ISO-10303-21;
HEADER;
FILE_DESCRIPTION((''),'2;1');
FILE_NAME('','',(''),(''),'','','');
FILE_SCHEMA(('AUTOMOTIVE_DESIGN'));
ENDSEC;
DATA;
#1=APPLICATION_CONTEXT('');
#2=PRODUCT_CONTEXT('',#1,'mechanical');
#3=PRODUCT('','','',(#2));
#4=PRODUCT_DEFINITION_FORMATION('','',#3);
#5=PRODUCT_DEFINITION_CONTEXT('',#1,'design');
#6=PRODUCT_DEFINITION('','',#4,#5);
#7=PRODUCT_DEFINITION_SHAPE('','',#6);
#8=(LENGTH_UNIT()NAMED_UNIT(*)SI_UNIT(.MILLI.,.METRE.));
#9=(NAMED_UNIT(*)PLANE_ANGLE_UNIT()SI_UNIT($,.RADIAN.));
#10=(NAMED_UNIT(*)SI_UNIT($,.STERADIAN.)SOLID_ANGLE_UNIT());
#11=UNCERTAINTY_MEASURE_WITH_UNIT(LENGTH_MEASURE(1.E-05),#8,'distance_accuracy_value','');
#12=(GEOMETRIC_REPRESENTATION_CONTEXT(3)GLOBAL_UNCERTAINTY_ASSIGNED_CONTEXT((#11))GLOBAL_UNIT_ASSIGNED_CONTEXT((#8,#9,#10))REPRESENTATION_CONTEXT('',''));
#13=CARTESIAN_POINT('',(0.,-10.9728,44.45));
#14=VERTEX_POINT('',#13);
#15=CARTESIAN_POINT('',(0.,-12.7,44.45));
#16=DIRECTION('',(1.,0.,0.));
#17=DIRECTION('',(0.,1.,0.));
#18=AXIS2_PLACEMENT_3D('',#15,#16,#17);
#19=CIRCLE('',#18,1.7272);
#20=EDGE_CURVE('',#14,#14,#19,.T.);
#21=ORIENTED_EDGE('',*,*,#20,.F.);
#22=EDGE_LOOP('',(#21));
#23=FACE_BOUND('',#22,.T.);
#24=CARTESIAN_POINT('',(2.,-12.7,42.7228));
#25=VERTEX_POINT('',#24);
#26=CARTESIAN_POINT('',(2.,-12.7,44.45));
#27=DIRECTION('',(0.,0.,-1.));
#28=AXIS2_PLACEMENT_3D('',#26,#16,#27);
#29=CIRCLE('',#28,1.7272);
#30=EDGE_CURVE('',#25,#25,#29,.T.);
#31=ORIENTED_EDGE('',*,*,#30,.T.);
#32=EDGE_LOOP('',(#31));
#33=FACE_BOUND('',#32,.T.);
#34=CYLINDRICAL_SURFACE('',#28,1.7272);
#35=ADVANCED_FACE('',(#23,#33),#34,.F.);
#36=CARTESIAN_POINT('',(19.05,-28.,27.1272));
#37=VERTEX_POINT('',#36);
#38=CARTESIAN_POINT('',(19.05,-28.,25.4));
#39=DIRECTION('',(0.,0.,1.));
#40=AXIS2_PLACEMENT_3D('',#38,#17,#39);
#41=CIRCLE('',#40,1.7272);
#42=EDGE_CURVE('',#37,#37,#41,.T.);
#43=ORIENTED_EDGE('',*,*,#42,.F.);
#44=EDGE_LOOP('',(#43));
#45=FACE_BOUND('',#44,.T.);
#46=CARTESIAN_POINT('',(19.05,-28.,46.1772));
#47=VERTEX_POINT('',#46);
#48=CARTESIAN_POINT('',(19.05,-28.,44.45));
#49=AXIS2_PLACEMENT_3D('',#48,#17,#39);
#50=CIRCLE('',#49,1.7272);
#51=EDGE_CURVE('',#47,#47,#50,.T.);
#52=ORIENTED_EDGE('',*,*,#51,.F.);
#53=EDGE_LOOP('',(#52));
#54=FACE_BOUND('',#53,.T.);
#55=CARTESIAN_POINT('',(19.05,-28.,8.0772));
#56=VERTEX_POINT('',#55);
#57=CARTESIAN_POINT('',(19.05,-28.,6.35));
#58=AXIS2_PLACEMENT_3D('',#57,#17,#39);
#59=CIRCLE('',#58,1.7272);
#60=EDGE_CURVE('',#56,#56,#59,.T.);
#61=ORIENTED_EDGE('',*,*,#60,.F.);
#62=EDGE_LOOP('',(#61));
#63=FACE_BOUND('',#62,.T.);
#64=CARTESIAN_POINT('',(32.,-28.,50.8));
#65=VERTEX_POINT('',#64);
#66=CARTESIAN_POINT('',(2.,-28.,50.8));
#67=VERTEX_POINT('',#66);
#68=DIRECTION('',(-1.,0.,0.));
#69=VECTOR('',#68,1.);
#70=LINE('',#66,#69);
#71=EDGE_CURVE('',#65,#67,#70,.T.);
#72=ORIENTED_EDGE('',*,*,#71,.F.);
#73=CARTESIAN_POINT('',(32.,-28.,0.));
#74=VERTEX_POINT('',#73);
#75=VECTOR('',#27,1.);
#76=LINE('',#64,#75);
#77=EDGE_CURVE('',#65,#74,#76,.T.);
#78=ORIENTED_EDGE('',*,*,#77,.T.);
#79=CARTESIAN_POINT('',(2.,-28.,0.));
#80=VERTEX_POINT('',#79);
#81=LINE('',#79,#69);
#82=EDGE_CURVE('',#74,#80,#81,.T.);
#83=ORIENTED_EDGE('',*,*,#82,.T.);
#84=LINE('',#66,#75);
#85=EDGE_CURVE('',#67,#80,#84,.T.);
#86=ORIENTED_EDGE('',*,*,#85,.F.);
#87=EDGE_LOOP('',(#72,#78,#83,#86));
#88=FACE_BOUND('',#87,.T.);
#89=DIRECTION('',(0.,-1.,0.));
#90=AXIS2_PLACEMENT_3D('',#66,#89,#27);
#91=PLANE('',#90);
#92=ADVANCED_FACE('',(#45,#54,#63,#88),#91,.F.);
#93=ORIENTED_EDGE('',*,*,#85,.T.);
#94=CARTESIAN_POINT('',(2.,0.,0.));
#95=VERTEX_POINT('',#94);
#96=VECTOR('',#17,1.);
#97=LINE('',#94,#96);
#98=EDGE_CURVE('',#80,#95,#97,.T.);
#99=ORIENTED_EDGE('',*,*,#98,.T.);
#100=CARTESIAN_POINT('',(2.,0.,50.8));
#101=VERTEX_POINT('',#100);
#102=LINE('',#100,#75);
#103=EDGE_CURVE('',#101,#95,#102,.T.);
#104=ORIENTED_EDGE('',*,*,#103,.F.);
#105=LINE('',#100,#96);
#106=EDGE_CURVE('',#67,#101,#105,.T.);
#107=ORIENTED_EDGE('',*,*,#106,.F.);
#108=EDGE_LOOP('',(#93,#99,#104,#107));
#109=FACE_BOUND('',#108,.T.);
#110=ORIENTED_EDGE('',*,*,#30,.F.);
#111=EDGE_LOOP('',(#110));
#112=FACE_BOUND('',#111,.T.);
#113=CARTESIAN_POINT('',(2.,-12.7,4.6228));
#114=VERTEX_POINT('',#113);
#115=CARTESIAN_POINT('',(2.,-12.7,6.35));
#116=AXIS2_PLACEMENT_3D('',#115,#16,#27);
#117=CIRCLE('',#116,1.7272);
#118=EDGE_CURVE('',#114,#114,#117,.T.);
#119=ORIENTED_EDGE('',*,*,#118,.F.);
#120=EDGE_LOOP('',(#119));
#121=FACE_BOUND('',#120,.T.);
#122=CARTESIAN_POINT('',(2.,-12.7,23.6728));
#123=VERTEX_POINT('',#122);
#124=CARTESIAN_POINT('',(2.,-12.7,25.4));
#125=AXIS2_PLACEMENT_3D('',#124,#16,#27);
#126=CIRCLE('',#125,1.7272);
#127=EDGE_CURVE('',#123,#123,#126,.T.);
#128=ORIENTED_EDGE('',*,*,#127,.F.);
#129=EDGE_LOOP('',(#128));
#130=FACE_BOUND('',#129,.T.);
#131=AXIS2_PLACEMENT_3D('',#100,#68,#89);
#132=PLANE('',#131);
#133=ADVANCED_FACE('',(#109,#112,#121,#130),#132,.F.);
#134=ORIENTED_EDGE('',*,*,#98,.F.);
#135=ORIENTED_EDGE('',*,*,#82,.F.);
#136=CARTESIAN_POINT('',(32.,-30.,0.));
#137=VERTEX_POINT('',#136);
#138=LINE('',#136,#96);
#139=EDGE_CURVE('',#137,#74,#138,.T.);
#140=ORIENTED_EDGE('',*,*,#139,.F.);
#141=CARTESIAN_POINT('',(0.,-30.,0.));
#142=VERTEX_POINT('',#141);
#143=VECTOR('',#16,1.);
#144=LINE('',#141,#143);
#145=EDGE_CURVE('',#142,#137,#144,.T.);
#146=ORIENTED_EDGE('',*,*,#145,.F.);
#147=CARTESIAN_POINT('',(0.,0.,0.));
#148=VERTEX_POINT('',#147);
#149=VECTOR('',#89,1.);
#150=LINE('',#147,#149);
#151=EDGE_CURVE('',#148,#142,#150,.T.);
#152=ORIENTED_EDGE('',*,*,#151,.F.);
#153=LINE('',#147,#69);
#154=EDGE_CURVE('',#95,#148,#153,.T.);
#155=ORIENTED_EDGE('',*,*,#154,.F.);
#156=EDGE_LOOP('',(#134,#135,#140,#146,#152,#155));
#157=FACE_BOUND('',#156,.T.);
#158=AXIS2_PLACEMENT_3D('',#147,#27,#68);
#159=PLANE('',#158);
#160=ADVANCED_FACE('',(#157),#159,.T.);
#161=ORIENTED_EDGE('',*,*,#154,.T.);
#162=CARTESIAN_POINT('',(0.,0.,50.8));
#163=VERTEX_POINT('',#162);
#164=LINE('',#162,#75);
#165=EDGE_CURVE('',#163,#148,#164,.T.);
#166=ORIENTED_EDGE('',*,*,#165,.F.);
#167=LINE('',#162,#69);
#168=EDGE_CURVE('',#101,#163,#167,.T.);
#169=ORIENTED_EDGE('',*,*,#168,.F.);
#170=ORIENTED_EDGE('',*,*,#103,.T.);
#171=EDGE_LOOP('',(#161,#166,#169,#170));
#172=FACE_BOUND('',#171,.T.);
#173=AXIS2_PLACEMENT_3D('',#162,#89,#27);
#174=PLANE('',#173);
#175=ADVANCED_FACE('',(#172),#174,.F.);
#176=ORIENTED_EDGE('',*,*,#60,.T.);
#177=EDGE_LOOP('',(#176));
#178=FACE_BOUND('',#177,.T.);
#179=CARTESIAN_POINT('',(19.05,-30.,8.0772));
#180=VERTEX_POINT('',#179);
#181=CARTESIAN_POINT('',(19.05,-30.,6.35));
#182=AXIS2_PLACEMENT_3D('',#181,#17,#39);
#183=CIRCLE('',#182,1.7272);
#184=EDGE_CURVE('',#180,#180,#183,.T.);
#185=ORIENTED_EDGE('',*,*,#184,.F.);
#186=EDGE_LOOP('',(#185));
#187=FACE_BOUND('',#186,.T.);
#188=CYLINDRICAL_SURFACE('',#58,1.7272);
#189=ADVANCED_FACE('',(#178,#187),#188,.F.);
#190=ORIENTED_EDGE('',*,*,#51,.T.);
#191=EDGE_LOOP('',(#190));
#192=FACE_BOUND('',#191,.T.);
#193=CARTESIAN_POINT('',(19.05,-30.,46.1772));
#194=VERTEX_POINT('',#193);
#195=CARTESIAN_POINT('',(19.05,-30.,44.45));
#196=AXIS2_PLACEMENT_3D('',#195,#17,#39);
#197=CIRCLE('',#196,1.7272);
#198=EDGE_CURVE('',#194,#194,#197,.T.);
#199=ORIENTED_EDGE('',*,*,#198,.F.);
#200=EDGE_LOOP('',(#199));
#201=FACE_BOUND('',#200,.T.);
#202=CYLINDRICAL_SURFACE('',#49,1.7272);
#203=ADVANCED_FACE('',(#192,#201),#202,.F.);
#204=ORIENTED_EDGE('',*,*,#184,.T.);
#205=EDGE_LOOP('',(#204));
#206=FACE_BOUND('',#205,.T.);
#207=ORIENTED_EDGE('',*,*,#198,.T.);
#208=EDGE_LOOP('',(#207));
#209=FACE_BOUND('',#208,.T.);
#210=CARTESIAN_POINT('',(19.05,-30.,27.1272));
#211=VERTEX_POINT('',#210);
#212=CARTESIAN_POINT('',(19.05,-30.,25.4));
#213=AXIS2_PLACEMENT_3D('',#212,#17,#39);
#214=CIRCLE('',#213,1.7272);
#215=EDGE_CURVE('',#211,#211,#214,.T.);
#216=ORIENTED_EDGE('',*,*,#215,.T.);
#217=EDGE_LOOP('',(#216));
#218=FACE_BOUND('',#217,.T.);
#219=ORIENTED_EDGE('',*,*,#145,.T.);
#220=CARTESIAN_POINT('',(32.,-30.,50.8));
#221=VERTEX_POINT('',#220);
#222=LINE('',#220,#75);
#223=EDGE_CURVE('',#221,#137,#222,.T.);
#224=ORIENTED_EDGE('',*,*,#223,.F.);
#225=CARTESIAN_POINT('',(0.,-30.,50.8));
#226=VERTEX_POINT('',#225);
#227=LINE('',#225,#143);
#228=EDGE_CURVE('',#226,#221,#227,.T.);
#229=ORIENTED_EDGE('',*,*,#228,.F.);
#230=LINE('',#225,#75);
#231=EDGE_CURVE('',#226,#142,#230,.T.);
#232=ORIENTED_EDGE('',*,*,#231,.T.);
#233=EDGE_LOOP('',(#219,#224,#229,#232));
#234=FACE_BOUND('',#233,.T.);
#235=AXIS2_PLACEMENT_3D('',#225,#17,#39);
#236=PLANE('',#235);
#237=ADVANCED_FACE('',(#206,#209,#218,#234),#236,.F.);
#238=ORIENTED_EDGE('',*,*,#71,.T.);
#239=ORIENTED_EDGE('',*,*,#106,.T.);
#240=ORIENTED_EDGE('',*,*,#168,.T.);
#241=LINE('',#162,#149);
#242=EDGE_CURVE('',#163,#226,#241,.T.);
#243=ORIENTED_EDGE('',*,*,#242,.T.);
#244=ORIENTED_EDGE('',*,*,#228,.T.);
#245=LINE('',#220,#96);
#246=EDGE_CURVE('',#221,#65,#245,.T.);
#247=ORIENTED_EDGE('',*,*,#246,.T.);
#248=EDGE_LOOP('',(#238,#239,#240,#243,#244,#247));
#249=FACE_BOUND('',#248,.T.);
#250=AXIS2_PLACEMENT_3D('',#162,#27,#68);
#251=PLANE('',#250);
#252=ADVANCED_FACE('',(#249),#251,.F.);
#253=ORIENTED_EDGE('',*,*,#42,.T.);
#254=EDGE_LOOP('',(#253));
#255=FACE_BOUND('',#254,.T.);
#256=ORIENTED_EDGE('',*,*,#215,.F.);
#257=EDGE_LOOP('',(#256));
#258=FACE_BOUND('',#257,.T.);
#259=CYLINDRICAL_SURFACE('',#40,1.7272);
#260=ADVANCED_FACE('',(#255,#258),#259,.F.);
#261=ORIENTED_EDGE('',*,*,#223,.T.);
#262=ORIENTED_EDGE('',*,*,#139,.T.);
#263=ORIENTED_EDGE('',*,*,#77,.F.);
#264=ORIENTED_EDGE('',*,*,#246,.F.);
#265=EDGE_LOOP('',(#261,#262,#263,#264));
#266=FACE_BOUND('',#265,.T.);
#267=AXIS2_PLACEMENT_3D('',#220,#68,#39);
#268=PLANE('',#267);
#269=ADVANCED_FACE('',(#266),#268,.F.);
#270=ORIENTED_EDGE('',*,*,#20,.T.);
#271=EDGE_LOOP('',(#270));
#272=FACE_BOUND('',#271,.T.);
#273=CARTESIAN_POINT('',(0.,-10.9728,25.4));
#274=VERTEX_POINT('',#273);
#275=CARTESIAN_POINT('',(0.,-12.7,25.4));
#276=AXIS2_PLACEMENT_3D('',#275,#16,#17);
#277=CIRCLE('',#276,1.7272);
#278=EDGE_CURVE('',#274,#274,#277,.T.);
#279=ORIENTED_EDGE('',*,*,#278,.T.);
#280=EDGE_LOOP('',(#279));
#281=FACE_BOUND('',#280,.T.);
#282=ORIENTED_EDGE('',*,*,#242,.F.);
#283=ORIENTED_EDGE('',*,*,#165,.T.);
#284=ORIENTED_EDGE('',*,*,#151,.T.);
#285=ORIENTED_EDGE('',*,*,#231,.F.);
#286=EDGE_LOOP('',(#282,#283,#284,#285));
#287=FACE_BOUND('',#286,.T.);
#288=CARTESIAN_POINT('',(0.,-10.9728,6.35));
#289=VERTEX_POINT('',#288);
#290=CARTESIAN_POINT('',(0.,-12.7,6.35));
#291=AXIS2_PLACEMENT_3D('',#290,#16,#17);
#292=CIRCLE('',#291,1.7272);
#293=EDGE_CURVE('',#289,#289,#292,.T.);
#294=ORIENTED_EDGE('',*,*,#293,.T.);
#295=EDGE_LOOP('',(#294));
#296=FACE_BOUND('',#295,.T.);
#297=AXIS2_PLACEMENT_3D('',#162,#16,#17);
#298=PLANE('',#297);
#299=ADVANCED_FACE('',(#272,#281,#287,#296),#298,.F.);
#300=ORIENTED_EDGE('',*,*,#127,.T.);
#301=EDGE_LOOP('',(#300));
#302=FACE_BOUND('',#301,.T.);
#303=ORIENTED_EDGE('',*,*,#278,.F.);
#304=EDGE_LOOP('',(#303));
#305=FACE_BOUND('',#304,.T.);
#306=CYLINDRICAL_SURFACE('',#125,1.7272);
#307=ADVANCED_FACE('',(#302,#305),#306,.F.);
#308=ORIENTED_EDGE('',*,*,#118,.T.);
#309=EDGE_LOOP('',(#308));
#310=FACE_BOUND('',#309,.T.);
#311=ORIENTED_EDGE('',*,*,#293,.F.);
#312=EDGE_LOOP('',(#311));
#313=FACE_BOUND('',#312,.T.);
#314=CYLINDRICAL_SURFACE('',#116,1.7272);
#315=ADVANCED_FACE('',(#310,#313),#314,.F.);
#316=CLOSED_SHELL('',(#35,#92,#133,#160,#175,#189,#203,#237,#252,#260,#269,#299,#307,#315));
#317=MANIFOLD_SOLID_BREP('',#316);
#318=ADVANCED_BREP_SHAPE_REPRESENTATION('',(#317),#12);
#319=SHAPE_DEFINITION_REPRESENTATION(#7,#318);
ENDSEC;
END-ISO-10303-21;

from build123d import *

# Parameters (mm, degrees)
BOSS_EXTRUDE1_DEPTH       = 50.8
TAP_DRILL_FOR_8_32_TAP1_D = 3.4544
TAP_DRILL_FOR_8_32_TAP2_D = 3.4544


with BuildPart() as part:
    # Sketch1 → Boss-Extrude1 (new body)
    with BuildSketch(Plane.XY):
        Polygon((0, 0), (0, -30), (32, -30), (32, -28), (2, -28), (2, 0), align=None)
    extrude(amount=BOSS_EXTRUDE1_DEPTH)

    # Tap Drill for #8-32 Tap1 (through all)
    with Locations(Plane(origin=(0, -28, 0), x_dir=(1, 0, 0), z_dir=(0, 1, 0))):
        with Locations((19.05, -6.35), (19.05, -44.45), (19.05, -25.4)):
            Hole(TAP_DRILL_FOR_8_32_TAP1_D / 2)

    # Tap Drill for #8-32 Tap2 (through all)
    with Locations(Plane(origin=(2, 0, 0), x_dir=(0, 0, -1), z_dir=(1, 0, 0))):
        with Locations((-44.45, -12.7), (-6.35, -12.7), (-25.4, -12.7)):
            Hole(TAP_DRILL_FOR_8_32_TAP2_D / 2)


solid = part.part
